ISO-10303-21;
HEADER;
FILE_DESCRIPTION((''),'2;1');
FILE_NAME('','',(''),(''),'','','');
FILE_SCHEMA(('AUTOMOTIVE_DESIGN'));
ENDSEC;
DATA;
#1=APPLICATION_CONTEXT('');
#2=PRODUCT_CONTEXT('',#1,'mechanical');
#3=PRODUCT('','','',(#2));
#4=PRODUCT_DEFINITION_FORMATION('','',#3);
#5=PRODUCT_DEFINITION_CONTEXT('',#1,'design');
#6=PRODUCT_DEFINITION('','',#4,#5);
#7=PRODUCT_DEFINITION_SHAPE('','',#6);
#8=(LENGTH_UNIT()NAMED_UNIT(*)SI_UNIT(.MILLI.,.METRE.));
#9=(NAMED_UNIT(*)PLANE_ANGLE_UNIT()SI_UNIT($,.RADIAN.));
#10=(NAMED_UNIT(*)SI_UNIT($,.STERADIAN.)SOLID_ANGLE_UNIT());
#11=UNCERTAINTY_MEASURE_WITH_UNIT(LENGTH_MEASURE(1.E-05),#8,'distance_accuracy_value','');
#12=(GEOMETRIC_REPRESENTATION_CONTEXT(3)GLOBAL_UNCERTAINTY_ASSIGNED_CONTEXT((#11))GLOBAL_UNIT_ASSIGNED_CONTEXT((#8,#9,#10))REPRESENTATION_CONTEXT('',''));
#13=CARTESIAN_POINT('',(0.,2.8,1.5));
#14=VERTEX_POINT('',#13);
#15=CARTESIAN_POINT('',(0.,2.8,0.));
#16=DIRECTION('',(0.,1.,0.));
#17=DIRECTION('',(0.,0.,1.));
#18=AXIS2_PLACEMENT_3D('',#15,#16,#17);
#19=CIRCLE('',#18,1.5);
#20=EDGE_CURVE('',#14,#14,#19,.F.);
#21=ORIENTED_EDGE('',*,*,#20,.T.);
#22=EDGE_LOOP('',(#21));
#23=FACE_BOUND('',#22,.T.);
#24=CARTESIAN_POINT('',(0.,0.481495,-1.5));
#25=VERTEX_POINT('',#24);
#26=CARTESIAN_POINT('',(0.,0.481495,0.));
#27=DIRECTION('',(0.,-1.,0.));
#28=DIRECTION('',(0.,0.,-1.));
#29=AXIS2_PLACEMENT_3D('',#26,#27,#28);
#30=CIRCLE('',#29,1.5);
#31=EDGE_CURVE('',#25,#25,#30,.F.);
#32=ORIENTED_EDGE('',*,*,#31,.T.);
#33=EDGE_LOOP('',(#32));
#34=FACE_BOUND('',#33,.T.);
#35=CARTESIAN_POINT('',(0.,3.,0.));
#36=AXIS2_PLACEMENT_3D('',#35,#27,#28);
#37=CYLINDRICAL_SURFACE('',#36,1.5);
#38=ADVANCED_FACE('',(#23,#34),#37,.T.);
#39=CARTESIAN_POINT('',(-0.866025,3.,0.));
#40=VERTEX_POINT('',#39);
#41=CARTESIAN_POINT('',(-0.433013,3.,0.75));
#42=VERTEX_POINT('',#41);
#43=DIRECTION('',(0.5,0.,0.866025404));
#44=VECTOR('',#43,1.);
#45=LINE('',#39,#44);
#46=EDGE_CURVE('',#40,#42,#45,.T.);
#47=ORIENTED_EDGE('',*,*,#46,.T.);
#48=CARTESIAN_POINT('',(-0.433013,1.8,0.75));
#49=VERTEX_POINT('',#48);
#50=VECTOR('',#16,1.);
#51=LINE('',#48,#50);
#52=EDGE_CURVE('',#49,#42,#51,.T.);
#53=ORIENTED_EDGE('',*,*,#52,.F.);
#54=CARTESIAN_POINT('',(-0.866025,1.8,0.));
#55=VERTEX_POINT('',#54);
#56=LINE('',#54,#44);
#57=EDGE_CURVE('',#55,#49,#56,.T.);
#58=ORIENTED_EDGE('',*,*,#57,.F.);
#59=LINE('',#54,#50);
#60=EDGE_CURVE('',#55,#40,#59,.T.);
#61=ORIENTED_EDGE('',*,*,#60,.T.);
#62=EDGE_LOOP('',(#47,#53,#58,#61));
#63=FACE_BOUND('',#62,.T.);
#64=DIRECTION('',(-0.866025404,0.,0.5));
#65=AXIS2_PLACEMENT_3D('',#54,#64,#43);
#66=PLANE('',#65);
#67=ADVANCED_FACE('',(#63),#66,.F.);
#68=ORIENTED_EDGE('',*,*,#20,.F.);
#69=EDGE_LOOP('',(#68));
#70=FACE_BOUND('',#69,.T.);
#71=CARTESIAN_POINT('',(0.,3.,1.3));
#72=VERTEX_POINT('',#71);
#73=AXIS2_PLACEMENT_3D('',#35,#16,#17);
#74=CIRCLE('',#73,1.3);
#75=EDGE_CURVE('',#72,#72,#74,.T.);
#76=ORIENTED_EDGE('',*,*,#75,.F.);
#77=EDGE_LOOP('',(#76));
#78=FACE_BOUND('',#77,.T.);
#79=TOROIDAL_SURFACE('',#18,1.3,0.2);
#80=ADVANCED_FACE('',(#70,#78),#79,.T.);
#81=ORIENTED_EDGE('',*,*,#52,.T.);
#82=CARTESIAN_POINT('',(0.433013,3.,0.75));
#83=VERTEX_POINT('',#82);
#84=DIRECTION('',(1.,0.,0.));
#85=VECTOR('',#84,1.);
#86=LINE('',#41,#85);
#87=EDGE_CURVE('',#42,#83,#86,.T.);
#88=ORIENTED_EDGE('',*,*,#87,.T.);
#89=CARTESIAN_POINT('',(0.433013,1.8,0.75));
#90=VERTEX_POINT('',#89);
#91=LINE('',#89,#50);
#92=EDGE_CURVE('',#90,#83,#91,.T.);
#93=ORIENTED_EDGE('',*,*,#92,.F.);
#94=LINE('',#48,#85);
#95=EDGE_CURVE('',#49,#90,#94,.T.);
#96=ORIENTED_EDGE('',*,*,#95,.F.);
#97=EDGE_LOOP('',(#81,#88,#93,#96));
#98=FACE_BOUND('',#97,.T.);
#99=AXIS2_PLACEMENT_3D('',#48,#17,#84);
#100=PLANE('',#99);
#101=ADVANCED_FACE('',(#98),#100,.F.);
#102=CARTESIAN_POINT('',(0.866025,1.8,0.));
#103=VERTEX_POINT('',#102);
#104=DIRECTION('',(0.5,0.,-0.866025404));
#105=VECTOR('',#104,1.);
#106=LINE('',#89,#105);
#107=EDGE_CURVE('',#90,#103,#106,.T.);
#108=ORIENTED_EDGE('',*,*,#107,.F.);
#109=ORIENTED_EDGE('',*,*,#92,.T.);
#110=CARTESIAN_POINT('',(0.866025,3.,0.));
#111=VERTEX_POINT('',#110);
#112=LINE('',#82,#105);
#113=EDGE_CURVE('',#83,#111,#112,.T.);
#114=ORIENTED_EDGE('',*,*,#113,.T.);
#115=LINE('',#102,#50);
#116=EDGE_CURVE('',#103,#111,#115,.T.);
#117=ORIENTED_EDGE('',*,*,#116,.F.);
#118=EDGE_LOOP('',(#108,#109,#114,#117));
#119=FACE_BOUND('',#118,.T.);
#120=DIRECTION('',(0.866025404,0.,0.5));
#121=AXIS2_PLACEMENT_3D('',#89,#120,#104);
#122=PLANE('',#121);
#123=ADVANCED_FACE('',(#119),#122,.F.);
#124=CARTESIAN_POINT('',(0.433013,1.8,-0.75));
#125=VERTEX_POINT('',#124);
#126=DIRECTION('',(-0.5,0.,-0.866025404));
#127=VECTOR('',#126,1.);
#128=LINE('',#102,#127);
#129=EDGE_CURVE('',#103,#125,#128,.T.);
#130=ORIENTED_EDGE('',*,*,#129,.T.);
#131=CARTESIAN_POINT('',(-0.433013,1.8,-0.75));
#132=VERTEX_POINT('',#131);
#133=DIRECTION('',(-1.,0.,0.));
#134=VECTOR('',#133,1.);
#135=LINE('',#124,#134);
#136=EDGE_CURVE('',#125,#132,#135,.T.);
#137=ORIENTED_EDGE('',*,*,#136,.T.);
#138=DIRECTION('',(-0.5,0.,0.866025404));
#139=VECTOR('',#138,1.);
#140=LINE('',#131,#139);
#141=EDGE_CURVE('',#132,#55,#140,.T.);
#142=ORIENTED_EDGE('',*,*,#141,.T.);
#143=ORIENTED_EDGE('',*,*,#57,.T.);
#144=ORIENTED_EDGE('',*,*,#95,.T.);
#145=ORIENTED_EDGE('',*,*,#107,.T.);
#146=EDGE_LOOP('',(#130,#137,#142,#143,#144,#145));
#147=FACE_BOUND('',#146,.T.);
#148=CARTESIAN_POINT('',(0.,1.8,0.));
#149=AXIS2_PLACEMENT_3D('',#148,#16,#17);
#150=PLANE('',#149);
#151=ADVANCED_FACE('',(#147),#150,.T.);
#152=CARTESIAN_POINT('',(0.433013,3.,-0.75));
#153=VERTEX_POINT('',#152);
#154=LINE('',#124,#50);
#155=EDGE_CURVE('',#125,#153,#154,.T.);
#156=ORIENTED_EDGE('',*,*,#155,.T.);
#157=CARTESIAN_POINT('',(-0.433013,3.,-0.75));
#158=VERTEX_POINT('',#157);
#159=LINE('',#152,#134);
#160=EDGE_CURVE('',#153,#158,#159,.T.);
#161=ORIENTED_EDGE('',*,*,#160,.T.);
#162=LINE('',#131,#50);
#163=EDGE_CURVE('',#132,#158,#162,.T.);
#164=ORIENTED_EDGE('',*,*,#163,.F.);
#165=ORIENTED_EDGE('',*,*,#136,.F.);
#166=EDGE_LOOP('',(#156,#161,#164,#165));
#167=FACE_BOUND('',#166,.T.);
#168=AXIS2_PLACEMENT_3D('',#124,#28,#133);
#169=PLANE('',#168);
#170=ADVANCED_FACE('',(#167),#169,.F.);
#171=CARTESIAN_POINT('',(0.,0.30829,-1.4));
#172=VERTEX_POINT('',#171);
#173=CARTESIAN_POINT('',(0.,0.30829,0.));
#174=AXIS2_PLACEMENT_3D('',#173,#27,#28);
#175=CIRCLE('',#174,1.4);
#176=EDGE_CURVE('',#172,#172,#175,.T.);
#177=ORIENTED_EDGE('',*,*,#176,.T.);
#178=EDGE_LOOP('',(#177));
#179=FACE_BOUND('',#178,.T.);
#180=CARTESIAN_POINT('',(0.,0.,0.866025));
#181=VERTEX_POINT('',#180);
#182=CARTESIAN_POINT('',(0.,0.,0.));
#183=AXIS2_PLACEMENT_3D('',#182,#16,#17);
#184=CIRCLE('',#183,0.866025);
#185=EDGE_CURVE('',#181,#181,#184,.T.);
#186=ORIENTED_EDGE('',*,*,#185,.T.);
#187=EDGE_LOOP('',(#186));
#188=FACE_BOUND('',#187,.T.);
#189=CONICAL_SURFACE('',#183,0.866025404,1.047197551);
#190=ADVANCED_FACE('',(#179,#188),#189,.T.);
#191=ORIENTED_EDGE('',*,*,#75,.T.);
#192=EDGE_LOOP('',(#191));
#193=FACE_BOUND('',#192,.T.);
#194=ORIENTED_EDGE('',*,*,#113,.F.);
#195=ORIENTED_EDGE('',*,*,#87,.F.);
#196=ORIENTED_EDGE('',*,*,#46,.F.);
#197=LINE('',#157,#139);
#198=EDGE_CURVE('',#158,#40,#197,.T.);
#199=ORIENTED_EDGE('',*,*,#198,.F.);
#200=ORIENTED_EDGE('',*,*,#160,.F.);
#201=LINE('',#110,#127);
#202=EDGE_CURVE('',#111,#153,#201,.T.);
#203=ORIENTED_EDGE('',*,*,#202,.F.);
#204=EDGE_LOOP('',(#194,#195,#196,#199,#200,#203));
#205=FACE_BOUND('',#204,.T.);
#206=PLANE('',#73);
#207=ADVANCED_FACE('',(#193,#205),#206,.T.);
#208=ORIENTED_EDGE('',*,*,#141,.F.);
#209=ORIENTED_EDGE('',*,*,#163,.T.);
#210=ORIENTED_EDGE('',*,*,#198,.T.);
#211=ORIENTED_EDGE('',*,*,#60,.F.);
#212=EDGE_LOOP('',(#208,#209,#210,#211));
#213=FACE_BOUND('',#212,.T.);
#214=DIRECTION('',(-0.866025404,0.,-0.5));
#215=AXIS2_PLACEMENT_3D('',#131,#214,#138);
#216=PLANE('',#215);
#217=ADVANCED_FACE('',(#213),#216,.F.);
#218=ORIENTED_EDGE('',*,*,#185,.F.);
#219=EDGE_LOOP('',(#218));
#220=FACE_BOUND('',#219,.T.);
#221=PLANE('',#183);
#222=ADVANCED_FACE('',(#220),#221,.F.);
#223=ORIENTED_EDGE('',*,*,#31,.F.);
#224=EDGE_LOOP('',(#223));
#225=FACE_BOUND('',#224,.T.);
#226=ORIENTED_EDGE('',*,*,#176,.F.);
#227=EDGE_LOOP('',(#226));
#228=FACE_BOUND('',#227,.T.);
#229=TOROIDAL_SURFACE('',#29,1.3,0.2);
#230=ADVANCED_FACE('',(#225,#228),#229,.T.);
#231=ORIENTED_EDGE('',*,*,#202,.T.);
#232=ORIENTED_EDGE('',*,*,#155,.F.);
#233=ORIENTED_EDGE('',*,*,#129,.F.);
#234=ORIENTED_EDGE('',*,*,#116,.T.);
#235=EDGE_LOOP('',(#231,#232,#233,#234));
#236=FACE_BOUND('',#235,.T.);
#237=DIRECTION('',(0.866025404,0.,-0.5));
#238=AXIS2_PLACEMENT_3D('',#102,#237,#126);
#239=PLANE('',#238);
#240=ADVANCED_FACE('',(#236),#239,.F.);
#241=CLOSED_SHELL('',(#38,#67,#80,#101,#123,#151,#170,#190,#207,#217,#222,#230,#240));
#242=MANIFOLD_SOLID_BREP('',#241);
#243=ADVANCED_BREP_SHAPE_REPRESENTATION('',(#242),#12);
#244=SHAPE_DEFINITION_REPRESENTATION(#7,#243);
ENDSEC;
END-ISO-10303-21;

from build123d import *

# Parameters (mm, degrees)
SKETCH_1_R            = 1.5
EXTRUDE_254_DEPTH     = 3
CUT_EXTRUDE_384_DEPTH = 1.2
FILLET_1_R            = 0.2


with BuildPart() as part:
    # 草图1 → Extrude 254 (new body)
    with BuildSketch(Plane(origin=(0, 0, 0), x_dir=(1, 0, 0), z_dir=(0, 1, 0))):
        Circle(SKETCH_1_R)
    extrude(amount=EXTRUDE_254_DEPTH)

    # 草图2 → Cut-Extrude 384 (cut)
    with BuildSketch(Plane(origin=(0, 3, 0), x_dir=(1, 0, 0), z_dir=(0, 1, 0))):
        Polygon((0.866025404, 0), (0.433012702, 0.75), (-0.433012702, 0.75), (-0.866025404, 0), (-0.433012702, -0.75), (0.433012702, -0.75), align=None)
    extrude(amount=-CUT_EXTRUDE_384_DEPTH, mode=Mode.SUBTRACT)

    # 草图3 → 切除-旋转4 (revolve, cut)
    with BuildSketch(Plane.XY):
        Polygon((0.866025404, 0), (1.5, 0.366025404), (1.5, 0), align=None)
    revolve(axis=Axis((0, 3, 0), (0, -1, 0)), mode=Mode.SUBTRACT)

    # 圆角1
    fillet_1_edges = [part.edges().sort_by_distance(p)[0] for p in [
        (-1.5, 0.366025404, 0),
        (-1.5, 3, 0),
    ]]
    fillet(fillet_1_edges, radius=FILLET_1_R)


solid = part.part
